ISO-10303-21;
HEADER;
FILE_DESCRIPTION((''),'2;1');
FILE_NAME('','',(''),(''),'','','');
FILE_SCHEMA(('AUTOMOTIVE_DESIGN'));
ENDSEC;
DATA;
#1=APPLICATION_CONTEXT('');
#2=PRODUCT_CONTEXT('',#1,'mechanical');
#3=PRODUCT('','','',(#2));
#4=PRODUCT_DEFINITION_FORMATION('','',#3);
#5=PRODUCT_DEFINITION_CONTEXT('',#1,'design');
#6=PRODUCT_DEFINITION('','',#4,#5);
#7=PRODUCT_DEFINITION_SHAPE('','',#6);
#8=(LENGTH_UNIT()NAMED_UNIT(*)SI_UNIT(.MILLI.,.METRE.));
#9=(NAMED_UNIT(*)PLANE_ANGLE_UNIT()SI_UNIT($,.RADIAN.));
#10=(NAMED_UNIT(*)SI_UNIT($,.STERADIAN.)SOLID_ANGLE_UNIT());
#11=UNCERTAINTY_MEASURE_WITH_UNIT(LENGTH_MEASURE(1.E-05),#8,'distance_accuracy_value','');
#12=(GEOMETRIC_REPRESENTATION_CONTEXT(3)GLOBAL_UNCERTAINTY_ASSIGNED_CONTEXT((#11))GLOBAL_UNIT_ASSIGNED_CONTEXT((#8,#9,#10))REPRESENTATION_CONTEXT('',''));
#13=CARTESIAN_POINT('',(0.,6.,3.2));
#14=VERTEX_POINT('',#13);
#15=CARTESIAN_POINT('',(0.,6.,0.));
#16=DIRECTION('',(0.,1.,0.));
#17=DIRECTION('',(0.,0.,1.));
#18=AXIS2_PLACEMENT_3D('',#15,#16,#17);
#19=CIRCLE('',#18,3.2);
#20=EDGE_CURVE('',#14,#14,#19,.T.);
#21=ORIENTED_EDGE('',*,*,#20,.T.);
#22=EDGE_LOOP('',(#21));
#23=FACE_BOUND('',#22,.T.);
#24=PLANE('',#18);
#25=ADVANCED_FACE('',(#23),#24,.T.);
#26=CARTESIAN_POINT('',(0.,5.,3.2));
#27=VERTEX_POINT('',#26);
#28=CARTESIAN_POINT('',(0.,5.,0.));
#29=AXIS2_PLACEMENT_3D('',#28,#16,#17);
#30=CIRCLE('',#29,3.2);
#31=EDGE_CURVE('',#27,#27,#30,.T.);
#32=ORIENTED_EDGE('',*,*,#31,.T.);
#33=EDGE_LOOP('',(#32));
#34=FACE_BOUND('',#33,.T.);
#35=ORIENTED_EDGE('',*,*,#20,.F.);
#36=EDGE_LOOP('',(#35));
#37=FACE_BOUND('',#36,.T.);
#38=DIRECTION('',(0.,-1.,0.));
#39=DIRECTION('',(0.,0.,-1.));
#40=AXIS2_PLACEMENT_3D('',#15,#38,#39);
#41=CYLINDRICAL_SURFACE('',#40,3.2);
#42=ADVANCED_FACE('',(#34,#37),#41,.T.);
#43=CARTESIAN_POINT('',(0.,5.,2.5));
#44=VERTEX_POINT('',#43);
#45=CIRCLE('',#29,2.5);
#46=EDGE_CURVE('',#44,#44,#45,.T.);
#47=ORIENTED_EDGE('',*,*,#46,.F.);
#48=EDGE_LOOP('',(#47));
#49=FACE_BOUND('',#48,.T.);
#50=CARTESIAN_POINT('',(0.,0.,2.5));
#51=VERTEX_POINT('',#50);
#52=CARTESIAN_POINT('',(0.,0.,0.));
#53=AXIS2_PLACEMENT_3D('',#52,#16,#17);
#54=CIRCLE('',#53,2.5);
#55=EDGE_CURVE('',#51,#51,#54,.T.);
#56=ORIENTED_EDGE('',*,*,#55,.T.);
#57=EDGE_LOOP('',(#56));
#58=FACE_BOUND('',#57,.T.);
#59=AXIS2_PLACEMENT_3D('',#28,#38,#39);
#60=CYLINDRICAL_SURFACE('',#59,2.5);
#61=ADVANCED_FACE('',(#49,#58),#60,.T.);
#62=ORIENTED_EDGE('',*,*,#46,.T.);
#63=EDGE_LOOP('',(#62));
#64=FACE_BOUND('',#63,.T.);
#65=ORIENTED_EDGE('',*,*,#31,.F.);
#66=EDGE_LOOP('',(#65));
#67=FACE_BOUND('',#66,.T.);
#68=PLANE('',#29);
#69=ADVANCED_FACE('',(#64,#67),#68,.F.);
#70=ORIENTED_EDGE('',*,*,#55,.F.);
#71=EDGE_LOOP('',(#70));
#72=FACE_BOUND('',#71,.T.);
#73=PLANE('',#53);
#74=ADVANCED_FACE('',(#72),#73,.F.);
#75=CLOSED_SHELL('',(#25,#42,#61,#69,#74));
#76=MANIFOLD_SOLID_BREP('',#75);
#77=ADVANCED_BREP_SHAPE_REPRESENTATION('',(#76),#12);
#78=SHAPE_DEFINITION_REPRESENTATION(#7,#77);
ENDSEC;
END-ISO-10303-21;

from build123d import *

# Parameters (mm, degrees)
SKETCH_1_R      = 2.5
EXTRUDE_1_DEPTH = 5
SKETCH_2_R      = 3.2
EXTRUDE_2_DEPTH = 1


with BuildPart() as part:
    # Эскиз1 → Бобышка-Вытянуть1 (new body)
    with BuildSketch(Plane(origin=(0, 0, 0), x_dir=(1, 0, 0), z_dir=(0, 1, 0))):
        with Locations(Location((0, 0, 0), (0, 0, 270))):
            Circle(SKETCH_1_R)
    extrude(amount=EXTRUDE_1_DEPTH)

    # Эскиз2 → Бобышка-Вытянуть2 (add)
    with BuildSketch(Plane(origin=(0, 5, 0), x_dir=(1, 0, 0), z_dir=(0, 1, 0))):
        with Locations(Location((0, 0, 0), (0, 0, 270))):
            Circle(SKETCH_2_R)
    extrude(amount=EXTRUDE_2_DEPTH)


solid = part.part
